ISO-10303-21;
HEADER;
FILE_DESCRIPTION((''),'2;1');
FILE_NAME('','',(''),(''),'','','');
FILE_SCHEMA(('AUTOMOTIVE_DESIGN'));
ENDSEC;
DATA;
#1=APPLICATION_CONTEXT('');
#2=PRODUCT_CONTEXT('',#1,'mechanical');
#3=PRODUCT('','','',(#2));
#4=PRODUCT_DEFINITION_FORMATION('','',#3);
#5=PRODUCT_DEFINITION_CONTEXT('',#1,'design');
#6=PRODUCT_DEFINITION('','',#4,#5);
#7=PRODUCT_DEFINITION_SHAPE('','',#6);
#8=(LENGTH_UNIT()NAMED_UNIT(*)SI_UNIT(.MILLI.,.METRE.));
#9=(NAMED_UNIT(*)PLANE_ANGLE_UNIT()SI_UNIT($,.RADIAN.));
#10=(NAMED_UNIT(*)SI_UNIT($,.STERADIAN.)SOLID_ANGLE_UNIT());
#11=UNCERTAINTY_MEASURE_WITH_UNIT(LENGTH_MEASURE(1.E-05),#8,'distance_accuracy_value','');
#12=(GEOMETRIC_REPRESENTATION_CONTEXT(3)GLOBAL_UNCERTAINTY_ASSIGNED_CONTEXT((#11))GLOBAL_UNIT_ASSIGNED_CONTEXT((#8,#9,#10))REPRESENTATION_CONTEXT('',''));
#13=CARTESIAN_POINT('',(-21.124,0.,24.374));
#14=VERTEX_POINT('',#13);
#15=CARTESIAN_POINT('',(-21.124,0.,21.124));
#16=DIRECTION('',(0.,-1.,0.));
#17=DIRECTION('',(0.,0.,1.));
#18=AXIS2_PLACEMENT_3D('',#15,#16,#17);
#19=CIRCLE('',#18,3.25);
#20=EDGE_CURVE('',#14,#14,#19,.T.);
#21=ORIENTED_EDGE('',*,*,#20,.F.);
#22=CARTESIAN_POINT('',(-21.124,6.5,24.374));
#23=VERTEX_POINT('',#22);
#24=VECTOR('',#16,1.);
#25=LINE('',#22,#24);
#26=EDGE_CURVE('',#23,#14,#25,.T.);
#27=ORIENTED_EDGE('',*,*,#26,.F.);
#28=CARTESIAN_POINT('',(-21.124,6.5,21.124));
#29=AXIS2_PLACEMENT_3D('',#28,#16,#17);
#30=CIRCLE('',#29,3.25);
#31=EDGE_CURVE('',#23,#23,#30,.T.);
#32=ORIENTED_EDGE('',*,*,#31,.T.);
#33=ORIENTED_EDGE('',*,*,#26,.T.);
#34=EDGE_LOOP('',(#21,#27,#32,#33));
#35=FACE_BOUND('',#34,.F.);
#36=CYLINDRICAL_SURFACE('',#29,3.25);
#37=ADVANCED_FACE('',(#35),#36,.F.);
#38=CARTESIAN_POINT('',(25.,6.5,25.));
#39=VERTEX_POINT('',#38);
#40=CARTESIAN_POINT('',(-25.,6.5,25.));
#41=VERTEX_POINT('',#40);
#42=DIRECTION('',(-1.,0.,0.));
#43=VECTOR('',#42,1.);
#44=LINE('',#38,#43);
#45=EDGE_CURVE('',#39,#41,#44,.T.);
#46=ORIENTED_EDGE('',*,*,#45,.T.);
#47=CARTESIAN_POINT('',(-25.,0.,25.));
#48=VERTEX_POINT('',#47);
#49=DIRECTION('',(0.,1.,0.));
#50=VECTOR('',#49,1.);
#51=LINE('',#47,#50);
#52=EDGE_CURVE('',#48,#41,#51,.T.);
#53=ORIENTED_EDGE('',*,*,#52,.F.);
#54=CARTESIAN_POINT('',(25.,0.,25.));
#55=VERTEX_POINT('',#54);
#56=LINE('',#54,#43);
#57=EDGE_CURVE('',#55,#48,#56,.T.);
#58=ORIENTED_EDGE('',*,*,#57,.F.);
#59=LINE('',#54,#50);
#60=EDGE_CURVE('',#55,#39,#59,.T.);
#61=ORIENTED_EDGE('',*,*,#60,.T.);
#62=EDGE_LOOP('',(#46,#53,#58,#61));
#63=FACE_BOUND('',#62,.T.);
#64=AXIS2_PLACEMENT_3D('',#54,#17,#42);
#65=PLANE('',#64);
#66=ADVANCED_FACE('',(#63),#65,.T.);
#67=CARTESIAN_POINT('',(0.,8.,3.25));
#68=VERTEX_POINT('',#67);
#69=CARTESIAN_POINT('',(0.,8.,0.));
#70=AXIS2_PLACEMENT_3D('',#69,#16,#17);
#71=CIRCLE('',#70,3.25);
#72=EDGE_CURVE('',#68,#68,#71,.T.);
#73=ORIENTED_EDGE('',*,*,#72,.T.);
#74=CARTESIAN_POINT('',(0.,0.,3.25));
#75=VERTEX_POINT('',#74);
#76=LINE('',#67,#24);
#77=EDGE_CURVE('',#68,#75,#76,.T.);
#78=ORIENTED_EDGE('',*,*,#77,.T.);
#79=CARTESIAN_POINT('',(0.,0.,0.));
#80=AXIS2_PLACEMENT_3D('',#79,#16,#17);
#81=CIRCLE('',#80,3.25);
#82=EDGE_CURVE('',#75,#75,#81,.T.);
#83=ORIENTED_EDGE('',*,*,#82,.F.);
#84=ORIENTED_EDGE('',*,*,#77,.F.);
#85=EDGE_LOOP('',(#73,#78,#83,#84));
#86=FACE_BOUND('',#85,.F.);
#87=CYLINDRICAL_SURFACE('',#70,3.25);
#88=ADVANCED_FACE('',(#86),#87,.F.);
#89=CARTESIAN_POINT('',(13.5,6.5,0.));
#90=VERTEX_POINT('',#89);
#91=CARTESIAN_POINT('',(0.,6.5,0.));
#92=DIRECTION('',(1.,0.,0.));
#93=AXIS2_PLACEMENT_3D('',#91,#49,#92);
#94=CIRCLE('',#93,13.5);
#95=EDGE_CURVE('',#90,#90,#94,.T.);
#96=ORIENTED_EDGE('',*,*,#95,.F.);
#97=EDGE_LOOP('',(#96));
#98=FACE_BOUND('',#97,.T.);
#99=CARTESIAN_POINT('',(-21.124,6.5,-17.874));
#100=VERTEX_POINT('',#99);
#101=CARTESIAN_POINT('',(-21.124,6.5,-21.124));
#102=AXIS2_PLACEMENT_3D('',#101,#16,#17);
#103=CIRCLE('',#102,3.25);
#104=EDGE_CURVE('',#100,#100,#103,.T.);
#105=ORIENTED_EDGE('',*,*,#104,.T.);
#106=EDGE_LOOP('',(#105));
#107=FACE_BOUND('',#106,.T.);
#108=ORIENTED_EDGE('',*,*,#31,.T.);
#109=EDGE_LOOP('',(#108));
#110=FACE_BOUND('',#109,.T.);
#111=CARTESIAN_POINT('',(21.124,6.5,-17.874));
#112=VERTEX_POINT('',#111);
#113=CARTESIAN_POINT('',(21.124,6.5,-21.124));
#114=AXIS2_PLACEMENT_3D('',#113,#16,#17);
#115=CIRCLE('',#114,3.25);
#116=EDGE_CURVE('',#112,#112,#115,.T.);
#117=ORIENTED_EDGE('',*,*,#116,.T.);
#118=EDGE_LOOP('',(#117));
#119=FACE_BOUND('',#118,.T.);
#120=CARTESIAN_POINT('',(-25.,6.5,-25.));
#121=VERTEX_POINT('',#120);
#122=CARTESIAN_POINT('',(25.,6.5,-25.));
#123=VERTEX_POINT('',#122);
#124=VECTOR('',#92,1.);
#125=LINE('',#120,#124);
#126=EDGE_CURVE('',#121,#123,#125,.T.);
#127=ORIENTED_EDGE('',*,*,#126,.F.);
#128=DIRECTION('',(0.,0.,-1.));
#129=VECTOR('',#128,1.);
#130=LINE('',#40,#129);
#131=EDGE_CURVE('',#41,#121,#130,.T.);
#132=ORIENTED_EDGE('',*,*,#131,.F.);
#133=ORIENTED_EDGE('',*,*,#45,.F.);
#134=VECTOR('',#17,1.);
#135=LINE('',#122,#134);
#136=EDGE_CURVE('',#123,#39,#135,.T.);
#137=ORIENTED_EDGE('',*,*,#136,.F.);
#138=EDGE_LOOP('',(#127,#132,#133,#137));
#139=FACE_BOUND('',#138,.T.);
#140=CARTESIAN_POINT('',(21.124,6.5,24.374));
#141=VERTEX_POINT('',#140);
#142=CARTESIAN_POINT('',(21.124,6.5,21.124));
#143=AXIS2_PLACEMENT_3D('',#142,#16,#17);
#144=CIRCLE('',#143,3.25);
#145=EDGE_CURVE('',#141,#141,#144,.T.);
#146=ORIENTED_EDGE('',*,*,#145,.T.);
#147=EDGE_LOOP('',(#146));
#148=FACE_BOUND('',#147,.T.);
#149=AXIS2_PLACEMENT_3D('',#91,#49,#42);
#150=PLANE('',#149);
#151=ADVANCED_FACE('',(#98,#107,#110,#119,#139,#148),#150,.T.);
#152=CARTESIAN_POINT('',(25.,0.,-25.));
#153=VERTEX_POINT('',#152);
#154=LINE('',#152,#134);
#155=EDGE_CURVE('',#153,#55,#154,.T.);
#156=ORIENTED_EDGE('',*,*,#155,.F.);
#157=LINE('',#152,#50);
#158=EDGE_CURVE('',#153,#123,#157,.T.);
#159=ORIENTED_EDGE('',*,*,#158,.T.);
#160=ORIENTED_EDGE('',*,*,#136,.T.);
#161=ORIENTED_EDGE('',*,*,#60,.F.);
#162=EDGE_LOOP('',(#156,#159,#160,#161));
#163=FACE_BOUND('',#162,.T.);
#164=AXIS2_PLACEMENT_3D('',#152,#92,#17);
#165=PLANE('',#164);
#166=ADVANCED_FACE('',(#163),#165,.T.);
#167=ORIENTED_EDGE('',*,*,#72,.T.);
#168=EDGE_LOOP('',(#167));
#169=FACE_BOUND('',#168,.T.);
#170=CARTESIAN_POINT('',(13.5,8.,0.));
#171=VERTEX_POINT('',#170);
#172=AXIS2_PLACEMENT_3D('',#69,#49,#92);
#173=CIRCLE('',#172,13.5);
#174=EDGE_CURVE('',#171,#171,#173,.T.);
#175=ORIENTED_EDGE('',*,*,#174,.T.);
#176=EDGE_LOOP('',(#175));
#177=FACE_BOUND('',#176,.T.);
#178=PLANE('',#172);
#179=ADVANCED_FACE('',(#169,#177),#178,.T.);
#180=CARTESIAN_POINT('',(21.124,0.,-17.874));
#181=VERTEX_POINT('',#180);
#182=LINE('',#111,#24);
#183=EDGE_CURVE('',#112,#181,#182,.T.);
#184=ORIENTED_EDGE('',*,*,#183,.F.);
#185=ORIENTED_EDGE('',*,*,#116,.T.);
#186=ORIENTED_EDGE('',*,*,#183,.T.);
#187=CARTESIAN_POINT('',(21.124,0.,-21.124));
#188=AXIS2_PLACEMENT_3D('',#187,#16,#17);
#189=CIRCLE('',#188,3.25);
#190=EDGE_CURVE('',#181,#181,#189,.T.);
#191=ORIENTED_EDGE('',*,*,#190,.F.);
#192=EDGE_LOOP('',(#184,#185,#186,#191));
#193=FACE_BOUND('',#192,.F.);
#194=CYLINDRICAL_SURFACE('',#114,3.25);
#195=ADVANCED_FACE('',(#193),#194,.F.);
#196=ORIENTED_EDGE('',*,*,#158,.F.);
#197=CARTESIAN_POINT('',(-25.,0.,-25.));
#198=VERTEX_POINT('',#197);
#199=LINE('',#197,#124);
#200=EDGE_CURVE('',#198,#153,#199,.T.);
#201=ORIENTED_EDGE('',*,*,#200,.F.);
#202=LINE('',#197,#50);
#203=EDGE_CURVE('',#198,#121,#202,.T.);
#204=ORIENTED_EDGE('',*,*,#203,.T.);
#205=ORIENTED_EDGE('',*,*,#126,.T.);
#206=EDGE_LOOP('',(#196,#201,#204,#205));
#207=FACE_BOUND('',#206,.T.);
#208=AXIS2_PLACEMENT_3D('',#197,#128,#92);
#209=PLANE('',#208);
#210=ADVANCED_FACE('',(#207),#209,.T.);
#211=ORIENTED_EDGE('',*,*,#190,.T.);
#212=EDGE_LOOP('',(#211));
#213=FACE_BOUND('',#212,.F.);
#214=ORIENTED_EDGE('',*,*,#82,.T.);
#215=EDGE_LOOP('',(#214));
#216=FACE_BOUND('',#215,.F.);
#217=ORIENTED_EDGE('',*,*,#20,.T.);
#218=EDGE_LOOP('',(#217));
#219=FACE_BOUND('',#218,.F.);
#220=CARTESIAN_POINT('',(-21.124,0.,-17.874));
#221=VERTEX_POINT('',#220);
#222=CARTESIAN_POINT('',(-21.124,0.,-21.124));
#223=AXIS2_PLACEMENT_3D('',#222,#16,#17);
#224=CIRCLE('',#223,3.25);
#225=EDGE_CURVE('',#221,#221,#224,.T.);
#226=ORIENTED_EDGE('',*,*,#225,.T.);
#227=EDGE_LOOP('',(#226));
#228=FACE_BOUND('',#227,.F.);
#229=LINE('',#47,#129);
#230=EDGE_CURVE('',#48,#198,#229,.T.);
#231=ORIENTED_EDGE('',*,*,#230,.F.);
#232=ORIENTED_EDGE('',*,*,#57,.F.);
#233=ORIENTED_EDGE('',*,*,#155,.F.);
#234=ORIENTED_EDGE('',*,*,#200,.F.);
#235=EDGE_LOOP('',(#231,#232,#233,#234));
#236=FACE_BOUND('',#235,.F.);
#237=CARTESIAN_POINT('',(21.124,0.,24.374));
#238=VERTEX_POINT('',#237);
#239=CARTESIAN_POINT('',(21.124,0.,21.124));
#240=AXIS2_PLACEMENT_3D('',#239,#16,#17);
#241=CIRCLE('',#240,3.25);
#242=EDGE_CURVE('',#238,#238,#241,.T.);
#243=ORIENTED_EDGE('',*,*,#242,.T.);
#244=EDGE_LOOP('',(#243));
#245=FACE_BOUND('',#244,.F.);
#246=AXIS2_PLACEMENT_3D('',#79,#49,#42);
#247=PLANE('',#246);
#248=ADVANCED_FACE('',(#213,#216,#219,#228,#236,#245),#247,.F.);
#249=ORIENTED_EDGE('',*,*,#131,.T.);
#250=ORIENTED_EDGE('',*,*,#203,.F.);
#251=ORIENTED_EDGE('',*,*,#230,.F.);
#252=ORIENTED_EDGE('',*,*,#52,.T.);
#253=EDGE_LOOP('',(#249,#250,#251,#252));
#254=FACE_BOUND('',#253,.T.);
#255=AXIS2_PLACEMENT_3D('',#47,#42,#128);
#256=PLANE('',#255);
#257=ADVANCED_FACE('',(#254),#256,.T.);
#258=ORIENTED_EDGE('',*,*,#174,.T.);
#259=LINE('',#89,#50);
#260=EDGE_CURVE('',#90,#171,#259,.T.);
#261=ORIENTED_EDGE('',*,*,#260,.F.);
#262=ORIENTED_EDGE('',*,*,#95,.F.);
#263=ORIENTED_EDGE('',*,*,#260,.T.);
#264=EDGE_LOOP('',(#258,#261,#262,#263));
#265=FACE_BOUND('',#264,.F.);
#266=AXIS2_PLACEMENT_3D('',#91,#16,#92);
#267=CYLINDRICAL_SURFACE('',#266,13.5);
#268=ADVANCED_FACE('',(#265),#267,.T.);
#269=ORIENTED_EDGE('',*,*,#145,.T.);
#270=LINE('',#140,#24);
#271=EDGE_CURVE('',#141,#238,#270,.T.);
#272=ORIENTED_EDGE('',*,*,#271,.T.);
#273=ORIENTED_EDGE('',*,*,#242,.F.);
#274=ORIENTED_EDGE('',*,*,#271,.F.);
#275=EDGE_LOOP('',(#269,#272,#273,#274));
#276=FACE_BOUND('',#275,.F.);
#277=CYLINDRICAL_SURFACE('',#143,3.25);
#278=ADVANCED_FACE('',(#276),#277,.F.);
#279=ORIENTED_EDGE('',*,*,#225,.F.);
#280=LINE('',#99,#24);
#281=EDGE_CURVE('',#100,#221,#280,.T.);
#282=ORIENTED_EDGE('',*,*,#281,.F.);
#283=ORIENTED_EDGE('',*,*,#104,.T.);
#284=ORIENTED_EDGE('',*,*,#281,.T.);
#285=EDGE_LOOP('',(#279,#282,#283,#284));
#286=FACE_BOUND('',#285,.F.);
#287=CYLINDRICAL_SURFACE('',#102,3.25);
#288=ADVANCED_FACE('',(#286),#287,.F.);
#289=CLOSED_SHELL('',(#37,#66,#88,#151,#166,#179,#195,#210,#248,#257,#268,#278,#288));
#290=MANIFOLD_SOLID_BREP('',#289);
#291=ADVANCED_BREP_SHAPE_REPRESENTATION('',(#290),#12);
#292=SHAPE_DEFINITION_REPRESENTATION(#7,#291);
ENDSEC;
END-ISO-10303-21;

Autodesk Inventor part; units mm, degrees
ref_plane "YZ Plane" through (0, 0, 0) normal (1, 0, 0) x (0, 1, 0)
ref_plane "XZ Plane" through (0, 0, 0) normal (0, 1, 0) x (-1, 0, 0)
ref_plane "XY Plane" through (0, 0, 0) normal (0, 0, 1) x (1, 0, 0)
sketch "Skizze1" plane through (0, 0, 0) normal (0, 1, 0) x (-1, 0, 0)
  line L0 (-25, 25) -> (25, 25)
  line L1 (25, 25) -> (25, -25)
  line L2 (25, -25) -> (-25, -25)
  line L3 (-25, -25) -> (-25, 25)
  line L4 (-25, 25) -> (25, -25) construction
  line L5 (25, 25) -> (-25, -25) construction
  point P0 (0, 0)
  dimension "d0" = 50
  dimension "d1" = 50
extrude "Extrusion1" add sketch "Skizze1" along normal blind 6.5
sketch "Skizze2" plane through (0, 6.5, 0) normal (0, 1, 0) x (1, 0, 0)
  circle A0 centre (0, 0) radius 13.5
  dimension "d4" = 27
extrude "Extrusion2" add sketch "Skizze2" along normal blind 1.5
sketch "Skizze3" plane through (0, 8, 0) normal (0, 1, 0) x (1, 0, 0)
  circle A0 centre (0, 0) radius 13.5 projected
hole "Bohrung1" at (0, 8, 0) direction (0, -1, 0) diameter 6.5 depth 8
sketch "Skizze4" plane through (0, 6.5, 0) normal (0, 1, 0) x (1, 0, 0)
  line L0 (25, -25) -> (25, 25) projected
  line L1 (25, 0) -> (-25, 0) construction
  line L2 (-25, 25) -> (-25, -25) projected
  line L3 (-25, -25) -> (25, -25) projected
  line L4 (0, -25) -> (0, 25) construction
  line L5 (25, 25) -> (-25, 25) projected
  point P0 (0, 0)
  point P1 (-21.124, 21.124)
  point P2 (-21.124, -21.124)
  point P3 (21.124, -21.124)
  point P4 (21.124, 21.124)
  dimension "d29" = 42.248
hole "Bohrung2" at (-21.124, 6.5, -21.124) at (-21.124, 6.5, 21.124) at (21.124, 6.5, 21.124) at (21.124, 6.5, -21.124) direction (0, -1, 0) diameter 6.5 depth 6.5
properties part number "cylinder_lid" material "Bronze, Guss"
